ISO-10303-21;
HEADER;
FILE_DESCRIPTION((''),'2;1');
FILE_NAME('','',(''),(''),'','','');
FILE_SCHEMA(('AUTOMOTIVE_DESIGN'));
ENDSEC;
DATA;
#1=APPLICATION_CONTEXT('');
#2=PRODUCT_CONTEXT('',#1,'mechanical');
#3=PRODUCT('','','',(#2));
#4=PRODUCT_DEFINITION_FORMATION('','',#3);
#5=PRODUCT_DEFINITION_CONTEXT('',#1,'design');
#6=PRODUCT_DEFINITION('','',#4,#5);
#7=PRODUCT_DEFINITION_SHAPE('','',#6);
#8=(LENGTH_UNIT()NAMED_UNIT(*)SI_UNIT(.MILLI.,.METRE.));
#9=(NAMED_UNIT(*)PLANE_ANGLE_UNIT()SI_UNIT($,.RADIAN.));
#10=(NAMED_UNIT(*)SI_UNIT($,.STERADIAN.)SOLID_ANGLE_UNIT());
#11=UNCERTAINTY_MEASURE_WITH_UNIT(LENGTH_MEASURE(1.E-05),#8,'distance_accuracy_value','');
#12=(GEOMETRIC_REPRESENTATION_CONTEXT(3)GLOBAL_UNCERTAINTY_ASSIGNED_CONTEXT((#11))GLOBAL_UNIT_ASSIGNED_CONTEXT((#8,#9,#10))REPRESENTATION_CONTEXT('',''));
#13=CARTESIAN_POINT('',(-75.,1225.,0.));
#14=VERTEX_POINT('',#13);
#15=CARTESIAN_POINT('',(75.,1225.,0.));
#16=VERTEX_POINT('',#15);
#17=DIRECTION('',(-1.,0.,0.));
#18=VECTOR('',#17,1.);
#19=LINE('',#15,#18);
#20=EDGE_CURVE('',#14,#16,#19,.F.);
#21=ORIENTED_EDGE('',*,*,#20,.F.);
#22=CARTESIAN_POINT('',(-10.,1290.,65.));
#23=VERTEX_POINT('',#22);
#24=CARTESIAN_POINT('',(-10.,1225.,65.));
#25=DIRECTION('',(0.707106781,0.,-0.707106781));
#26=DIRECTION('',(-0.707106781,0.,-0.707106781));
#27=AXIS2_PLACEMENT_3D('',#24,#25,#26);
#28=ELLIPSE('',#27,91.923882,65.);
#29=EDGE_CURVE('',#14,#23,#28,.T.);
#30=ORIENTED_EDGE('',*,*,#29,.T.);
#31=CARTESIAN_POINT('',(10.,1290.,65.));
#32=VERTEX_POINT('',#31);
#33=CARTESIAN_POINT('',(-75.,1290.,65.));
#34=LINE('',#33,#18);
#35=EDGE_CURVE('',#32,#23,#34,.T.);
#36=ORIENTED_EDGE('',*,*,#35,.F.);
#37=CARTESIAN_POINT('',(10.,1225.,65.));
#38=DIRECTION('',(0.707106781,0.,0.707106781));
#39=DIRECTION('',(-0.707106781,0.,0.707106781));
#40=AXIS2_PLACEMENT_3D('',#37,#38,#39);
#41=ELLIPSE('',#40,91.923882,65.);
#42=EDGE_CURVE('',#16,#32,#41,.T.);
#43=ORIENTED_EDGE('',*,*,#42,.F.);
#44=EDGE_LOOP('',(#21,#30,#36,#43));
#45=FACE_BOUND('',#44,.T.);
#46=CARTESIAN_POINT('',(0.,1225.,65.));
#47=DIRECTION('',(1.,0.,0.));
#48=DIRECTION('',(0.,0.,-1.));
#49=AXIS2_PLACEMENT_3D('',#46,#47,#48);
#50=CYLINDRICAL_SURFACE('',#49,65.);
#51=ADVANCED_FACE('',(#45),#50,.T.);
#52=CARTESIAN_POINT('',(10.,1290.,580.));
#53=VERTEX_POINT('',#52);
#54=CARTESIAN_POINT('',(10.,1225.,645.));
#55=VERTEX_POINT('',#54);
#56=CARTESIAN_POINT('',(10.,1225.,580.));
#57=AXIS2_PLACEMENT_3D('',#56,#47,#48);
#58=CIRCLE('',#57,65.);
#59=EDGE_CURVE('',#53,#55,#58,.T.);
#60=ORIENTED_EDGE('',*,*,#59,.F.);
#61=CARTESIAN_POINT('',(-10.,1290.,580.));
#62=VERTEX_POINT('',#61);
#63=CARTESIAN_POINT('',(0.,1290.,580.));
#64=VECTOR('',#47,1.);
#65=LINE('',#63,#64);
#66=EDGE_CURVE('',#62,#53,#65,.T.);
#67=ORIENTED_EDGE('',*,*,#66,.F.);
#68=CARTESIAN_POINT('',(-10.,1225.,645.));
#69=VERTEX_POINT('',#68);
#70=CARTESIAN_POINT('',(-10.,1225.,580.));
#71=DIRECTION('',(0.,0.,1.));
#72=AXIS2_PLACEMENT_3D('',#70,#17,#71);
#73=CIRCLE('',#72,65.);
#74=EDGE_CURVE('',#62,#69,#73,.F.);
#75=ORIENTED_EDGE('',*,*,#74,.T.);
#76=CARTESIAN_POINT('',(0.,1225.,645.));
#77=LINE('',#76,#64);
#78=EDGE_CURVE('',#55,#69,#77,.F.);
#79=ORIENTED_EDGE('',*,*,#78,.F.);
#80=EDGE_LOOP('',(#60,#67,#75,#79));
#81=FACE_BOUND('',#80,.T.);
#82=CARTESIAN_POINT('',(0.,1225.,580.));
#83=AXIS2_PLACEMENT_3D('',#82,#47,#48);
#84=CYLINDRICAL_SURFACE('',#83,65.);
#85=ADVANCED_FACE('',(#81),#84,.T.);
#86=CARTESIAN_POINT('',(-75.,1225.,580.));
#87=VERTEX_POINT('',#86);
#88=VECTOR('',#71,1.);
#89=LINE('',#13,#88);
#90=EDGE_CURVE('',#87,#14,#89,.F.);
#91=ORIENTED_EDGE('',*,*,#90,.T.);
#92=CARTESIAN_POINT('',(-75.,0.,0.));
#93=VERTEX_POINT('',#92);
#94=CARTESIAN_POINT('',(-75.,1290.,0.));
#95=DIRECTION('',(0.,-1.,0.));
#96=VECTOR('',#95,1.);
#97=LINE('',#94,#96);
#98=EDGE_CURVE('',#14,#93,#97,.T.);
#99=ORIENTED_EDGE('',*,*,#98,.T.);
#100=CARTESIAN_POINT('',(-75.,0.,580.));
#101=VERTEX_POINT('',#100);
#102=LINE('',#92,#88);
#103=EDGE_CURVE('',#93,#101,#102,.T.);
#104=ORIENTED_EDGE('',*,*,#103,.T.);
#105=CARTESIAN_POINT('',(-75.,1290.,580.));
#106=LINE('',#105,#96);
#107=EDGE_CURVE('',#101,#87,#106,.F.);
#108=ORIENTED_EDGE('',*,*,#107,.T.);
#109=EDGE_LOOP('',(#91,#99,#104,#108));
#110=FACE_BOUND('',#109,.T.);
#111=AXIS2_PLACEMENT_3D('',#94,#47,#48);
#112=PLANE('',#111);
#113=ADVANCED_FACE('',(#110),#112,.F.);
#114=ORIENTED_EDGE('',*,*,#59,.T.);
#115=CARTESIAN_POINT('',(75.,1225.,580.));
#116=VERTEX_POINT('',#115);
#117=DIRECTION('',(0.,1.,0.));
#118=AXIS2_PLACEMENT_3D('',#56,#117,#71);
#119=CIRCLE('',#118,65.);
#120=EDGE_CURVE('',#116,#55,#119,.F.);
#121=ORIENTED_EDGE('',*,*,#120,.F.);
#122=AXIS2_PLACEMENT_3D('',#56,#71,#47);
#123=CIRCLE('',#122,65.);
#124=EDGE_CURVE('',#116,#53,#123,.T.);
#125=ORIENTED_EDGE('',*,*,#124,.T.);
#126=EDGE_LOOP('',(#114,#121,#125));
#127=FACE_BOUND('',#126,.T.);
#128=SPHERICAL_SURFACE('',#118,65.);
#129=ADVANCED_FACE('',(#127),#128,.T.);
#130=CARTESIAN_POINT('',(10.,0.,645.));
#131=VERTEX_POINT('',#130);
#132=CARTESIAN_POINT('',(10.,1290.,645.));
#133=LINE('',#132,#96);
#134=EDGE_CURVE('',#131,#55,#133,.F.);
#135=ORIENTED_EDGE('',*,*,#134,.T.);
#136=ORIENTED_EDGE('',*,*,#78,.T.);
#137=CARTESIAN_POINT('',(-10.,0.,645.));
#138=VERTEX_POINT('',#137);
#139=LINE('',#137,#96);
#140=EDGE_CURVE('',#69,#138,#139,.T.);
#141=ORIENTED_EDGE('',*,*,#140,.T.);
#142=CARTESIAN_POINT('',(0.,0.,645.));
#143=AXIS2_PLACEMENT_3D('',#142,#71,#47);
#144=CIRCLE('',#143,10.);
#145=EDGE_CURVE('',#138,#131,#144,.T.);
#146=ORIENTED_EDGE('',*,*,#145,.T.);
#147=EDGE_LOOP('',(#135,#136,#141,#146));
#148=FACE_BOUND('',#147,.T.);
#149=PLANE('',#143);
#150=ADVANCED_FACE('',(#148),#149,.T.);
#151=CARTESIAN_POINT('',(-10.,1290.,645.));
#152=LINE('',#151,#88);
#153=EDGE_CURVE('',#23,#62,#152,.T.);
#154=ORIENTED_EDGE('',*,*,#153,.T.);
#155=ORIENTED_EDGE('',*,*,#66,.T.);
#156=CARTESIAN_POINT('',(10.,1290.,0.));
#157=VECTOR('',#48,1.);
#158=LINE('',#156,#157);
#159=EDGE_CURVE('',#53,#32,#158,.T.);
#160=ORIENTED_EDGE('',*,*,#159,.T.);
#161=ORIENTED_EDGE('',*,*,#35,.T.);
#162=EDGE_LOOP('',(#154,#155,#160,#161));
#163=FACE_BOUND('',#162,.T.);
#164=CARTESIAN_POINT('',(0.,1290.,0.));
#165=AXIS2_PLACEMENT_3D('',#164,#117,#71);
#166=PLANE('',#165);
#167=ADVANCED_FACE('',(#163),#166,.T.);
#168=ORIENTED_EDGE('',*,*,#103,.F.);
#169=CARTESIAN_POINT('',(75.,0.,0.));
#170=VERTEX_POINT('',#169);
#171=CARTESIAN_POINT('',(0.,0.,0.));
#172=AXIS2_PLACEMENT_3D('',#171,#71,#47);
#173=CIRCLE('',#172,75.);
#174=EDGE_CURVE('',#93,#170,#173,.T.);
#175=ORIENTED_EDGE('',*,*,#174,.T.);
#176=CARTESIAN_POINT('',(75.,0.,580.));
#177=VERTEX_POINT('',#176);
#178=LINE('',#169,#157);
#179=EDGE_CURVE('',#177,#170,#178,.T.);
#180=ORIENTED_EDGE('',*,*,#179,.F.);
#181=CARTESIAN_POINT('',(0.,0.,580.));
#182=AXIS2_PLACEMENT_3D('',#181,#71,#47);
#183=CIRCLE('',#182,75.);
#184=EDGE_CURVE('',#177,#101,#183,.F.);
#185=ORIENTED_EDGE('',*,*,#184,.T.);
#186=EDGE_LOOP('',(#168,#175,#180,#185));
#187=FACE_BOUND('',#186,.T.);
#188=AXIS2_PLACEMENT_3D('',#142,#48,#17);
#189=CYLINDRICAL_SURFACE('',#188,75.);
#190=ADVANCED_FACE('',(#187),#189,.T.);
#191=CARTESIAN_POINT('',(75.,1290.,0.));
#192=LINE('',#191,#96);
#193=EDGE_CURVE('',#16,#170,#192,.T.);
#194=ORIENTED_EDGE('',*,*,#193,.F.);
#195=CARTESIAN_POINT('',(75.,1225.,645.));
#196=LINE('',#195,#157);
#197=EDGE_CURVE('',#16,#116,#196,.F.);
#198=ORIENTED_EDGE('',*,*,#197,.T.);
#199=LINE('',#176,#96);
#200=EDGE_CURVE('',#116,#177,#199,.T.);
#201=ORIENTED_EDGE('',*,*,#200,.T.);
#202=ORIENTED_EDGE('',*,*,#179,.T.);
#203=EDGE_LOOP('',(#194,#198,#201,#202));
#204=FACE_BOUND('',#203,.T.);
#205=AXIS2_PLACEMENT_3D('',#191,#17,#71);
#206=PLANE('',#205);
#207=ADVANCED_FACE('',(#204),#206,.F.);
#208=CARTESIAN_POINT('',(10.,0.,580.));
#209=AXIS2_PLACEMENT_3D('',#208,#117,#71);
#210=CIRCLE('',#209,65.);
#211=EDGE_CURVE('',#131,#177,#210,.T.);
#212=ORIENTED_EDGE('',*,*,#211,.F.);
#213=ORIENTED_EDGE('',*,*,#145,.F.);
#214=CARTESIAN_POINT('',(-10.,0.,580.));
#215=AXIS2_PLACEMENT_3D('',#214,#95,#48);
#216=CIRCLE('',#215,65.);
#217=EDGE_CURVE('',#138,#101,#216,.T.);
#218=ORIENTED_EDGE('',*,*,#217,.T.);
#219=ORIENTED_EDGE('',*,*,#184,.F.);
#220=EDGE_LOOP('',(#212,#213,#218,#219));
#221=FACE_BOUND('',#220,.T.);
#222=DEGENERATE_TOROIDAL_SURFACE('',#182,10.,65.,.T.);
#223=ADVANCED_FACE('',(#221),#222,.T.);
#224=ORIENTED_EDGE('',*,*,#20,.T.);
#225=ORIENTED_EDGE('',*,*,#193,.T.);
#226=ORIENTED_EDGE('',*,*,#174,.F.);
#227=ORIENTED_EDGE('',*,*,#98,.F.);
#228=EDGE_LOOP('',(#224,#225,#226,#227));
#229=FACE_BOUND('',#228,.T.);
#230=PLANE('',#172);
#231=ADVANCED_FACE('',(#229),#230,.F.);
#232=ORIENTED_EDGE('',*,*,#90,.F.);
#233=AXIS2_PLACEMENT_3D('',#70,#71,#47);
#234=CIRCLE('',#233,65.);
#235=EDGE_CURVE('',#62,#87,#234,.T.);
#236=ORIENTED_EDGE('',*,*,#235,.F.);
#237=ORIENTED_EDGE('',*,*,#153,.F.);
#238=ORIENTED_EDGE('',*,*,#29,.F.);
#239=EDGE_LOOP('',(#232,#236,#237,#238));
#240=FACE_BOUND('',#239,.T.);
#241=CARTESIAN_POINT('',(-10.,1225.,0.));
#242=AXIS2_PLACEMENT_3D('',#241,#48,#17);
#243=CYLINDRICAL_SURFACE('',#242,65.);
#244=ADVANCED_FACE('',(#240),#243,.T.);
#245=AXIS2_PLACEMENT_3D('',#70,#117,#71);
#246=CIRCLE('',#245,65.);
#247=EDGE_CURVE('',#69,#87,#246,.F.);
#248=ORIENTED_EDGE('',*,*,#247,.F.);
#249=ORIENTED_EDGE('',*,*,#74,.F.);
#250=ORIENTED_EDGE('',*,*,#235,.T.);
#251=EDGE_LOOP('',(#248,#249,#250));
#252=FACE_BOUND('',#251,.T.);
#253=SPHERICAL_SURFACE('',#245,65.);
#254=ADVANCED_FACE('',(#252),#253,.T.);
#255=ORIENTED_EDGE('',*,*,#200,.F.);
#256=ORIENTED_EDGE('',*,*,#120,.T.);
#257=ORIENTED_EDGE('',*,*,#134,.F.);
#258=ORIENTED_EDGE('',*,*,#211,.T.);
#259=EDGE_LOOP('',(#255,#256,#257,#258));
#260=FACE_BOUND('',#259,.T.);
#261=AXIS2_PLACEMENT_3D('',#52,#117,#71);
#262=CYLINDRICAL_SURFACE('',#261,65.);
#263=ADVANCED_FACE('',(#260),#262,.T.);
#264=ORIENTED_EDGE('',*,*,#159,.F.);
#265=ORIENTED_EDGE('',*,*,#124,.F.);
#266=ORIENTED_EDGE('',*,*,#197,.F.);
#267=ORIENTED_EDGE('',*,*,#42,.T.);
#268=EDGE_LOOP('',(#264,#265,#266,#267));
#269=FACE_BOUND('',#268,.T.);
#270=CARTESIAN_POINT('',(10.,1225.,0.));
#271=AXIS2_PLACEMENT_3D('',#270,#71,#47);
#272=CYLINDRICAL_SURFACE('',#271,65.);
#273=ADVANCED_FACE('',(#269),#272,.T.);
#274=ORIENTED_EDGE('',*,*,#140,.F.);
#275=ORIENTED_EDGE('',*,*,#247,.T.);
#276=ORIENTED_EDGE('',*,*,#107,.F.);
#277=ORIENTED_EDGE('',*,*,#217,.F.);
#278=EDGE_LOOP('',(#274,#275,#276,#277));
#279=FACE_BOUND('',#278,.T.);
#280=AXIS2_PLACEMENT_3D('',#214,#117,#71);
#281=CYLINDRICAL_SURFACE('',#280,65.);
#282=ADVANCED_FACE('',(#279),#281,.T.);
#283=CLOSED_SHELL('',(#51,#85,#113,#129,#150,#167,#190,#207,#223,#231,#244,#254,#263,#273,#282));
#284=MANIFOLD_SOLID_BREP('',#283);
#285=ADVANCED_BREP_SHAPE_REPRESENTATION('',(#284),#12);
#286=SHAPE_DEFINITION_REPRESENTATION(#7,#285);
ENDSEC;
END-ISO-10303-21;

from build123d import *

# Parameters (mm, degrees)
SKETCH1_R           = 75
BOSS_EXTRUDE1_DEPTH = 645
SKETCH2_W           = 150
SKETCH2_H           = 645
BOSS_EXTRUDE2_DEPTH = 1290
FILLET1_R           = 65


with BuildPart() as part:
    # Sketch1 → Boss-Extrude1 (new body)
    with BuildSketch(Plane.XY):
        with Locations(Location((0, 0, 0), (0, 0, 180))):
            Circle(SKETCH1_R)
    extrude(amount=BOSS_EXTRUDE1_DEPTH)

    # Sketch2 → Boss-Extrude2 (add)
    with BuildSketch(Plane(origin=(0, 0, 0), x_dir=(1, 0, 0), z_dir=(0, 1, 0))):
        with Locations((0, -322.5)):
            Rectangle(SKETCH2_W, SKETCH2_H)
    extrude(amount=BOSS_EXTRUDE2_DEPTH)

    # Fillet1
    fillet1_edges = [part.edges().sort_by_distance(p)[0] for p in [
        (-75, 645, 645),
        (75, 645, 645),
        (-75, 1290, 322.5),
        (0, 1290, 645),
        (75, 1290, 322.5),
        (0, 1290, 0),
        (0, -75, 645),
    ]]
    fillet(fillet1_edges, radius=FILLET1_R)


solid = part.part
